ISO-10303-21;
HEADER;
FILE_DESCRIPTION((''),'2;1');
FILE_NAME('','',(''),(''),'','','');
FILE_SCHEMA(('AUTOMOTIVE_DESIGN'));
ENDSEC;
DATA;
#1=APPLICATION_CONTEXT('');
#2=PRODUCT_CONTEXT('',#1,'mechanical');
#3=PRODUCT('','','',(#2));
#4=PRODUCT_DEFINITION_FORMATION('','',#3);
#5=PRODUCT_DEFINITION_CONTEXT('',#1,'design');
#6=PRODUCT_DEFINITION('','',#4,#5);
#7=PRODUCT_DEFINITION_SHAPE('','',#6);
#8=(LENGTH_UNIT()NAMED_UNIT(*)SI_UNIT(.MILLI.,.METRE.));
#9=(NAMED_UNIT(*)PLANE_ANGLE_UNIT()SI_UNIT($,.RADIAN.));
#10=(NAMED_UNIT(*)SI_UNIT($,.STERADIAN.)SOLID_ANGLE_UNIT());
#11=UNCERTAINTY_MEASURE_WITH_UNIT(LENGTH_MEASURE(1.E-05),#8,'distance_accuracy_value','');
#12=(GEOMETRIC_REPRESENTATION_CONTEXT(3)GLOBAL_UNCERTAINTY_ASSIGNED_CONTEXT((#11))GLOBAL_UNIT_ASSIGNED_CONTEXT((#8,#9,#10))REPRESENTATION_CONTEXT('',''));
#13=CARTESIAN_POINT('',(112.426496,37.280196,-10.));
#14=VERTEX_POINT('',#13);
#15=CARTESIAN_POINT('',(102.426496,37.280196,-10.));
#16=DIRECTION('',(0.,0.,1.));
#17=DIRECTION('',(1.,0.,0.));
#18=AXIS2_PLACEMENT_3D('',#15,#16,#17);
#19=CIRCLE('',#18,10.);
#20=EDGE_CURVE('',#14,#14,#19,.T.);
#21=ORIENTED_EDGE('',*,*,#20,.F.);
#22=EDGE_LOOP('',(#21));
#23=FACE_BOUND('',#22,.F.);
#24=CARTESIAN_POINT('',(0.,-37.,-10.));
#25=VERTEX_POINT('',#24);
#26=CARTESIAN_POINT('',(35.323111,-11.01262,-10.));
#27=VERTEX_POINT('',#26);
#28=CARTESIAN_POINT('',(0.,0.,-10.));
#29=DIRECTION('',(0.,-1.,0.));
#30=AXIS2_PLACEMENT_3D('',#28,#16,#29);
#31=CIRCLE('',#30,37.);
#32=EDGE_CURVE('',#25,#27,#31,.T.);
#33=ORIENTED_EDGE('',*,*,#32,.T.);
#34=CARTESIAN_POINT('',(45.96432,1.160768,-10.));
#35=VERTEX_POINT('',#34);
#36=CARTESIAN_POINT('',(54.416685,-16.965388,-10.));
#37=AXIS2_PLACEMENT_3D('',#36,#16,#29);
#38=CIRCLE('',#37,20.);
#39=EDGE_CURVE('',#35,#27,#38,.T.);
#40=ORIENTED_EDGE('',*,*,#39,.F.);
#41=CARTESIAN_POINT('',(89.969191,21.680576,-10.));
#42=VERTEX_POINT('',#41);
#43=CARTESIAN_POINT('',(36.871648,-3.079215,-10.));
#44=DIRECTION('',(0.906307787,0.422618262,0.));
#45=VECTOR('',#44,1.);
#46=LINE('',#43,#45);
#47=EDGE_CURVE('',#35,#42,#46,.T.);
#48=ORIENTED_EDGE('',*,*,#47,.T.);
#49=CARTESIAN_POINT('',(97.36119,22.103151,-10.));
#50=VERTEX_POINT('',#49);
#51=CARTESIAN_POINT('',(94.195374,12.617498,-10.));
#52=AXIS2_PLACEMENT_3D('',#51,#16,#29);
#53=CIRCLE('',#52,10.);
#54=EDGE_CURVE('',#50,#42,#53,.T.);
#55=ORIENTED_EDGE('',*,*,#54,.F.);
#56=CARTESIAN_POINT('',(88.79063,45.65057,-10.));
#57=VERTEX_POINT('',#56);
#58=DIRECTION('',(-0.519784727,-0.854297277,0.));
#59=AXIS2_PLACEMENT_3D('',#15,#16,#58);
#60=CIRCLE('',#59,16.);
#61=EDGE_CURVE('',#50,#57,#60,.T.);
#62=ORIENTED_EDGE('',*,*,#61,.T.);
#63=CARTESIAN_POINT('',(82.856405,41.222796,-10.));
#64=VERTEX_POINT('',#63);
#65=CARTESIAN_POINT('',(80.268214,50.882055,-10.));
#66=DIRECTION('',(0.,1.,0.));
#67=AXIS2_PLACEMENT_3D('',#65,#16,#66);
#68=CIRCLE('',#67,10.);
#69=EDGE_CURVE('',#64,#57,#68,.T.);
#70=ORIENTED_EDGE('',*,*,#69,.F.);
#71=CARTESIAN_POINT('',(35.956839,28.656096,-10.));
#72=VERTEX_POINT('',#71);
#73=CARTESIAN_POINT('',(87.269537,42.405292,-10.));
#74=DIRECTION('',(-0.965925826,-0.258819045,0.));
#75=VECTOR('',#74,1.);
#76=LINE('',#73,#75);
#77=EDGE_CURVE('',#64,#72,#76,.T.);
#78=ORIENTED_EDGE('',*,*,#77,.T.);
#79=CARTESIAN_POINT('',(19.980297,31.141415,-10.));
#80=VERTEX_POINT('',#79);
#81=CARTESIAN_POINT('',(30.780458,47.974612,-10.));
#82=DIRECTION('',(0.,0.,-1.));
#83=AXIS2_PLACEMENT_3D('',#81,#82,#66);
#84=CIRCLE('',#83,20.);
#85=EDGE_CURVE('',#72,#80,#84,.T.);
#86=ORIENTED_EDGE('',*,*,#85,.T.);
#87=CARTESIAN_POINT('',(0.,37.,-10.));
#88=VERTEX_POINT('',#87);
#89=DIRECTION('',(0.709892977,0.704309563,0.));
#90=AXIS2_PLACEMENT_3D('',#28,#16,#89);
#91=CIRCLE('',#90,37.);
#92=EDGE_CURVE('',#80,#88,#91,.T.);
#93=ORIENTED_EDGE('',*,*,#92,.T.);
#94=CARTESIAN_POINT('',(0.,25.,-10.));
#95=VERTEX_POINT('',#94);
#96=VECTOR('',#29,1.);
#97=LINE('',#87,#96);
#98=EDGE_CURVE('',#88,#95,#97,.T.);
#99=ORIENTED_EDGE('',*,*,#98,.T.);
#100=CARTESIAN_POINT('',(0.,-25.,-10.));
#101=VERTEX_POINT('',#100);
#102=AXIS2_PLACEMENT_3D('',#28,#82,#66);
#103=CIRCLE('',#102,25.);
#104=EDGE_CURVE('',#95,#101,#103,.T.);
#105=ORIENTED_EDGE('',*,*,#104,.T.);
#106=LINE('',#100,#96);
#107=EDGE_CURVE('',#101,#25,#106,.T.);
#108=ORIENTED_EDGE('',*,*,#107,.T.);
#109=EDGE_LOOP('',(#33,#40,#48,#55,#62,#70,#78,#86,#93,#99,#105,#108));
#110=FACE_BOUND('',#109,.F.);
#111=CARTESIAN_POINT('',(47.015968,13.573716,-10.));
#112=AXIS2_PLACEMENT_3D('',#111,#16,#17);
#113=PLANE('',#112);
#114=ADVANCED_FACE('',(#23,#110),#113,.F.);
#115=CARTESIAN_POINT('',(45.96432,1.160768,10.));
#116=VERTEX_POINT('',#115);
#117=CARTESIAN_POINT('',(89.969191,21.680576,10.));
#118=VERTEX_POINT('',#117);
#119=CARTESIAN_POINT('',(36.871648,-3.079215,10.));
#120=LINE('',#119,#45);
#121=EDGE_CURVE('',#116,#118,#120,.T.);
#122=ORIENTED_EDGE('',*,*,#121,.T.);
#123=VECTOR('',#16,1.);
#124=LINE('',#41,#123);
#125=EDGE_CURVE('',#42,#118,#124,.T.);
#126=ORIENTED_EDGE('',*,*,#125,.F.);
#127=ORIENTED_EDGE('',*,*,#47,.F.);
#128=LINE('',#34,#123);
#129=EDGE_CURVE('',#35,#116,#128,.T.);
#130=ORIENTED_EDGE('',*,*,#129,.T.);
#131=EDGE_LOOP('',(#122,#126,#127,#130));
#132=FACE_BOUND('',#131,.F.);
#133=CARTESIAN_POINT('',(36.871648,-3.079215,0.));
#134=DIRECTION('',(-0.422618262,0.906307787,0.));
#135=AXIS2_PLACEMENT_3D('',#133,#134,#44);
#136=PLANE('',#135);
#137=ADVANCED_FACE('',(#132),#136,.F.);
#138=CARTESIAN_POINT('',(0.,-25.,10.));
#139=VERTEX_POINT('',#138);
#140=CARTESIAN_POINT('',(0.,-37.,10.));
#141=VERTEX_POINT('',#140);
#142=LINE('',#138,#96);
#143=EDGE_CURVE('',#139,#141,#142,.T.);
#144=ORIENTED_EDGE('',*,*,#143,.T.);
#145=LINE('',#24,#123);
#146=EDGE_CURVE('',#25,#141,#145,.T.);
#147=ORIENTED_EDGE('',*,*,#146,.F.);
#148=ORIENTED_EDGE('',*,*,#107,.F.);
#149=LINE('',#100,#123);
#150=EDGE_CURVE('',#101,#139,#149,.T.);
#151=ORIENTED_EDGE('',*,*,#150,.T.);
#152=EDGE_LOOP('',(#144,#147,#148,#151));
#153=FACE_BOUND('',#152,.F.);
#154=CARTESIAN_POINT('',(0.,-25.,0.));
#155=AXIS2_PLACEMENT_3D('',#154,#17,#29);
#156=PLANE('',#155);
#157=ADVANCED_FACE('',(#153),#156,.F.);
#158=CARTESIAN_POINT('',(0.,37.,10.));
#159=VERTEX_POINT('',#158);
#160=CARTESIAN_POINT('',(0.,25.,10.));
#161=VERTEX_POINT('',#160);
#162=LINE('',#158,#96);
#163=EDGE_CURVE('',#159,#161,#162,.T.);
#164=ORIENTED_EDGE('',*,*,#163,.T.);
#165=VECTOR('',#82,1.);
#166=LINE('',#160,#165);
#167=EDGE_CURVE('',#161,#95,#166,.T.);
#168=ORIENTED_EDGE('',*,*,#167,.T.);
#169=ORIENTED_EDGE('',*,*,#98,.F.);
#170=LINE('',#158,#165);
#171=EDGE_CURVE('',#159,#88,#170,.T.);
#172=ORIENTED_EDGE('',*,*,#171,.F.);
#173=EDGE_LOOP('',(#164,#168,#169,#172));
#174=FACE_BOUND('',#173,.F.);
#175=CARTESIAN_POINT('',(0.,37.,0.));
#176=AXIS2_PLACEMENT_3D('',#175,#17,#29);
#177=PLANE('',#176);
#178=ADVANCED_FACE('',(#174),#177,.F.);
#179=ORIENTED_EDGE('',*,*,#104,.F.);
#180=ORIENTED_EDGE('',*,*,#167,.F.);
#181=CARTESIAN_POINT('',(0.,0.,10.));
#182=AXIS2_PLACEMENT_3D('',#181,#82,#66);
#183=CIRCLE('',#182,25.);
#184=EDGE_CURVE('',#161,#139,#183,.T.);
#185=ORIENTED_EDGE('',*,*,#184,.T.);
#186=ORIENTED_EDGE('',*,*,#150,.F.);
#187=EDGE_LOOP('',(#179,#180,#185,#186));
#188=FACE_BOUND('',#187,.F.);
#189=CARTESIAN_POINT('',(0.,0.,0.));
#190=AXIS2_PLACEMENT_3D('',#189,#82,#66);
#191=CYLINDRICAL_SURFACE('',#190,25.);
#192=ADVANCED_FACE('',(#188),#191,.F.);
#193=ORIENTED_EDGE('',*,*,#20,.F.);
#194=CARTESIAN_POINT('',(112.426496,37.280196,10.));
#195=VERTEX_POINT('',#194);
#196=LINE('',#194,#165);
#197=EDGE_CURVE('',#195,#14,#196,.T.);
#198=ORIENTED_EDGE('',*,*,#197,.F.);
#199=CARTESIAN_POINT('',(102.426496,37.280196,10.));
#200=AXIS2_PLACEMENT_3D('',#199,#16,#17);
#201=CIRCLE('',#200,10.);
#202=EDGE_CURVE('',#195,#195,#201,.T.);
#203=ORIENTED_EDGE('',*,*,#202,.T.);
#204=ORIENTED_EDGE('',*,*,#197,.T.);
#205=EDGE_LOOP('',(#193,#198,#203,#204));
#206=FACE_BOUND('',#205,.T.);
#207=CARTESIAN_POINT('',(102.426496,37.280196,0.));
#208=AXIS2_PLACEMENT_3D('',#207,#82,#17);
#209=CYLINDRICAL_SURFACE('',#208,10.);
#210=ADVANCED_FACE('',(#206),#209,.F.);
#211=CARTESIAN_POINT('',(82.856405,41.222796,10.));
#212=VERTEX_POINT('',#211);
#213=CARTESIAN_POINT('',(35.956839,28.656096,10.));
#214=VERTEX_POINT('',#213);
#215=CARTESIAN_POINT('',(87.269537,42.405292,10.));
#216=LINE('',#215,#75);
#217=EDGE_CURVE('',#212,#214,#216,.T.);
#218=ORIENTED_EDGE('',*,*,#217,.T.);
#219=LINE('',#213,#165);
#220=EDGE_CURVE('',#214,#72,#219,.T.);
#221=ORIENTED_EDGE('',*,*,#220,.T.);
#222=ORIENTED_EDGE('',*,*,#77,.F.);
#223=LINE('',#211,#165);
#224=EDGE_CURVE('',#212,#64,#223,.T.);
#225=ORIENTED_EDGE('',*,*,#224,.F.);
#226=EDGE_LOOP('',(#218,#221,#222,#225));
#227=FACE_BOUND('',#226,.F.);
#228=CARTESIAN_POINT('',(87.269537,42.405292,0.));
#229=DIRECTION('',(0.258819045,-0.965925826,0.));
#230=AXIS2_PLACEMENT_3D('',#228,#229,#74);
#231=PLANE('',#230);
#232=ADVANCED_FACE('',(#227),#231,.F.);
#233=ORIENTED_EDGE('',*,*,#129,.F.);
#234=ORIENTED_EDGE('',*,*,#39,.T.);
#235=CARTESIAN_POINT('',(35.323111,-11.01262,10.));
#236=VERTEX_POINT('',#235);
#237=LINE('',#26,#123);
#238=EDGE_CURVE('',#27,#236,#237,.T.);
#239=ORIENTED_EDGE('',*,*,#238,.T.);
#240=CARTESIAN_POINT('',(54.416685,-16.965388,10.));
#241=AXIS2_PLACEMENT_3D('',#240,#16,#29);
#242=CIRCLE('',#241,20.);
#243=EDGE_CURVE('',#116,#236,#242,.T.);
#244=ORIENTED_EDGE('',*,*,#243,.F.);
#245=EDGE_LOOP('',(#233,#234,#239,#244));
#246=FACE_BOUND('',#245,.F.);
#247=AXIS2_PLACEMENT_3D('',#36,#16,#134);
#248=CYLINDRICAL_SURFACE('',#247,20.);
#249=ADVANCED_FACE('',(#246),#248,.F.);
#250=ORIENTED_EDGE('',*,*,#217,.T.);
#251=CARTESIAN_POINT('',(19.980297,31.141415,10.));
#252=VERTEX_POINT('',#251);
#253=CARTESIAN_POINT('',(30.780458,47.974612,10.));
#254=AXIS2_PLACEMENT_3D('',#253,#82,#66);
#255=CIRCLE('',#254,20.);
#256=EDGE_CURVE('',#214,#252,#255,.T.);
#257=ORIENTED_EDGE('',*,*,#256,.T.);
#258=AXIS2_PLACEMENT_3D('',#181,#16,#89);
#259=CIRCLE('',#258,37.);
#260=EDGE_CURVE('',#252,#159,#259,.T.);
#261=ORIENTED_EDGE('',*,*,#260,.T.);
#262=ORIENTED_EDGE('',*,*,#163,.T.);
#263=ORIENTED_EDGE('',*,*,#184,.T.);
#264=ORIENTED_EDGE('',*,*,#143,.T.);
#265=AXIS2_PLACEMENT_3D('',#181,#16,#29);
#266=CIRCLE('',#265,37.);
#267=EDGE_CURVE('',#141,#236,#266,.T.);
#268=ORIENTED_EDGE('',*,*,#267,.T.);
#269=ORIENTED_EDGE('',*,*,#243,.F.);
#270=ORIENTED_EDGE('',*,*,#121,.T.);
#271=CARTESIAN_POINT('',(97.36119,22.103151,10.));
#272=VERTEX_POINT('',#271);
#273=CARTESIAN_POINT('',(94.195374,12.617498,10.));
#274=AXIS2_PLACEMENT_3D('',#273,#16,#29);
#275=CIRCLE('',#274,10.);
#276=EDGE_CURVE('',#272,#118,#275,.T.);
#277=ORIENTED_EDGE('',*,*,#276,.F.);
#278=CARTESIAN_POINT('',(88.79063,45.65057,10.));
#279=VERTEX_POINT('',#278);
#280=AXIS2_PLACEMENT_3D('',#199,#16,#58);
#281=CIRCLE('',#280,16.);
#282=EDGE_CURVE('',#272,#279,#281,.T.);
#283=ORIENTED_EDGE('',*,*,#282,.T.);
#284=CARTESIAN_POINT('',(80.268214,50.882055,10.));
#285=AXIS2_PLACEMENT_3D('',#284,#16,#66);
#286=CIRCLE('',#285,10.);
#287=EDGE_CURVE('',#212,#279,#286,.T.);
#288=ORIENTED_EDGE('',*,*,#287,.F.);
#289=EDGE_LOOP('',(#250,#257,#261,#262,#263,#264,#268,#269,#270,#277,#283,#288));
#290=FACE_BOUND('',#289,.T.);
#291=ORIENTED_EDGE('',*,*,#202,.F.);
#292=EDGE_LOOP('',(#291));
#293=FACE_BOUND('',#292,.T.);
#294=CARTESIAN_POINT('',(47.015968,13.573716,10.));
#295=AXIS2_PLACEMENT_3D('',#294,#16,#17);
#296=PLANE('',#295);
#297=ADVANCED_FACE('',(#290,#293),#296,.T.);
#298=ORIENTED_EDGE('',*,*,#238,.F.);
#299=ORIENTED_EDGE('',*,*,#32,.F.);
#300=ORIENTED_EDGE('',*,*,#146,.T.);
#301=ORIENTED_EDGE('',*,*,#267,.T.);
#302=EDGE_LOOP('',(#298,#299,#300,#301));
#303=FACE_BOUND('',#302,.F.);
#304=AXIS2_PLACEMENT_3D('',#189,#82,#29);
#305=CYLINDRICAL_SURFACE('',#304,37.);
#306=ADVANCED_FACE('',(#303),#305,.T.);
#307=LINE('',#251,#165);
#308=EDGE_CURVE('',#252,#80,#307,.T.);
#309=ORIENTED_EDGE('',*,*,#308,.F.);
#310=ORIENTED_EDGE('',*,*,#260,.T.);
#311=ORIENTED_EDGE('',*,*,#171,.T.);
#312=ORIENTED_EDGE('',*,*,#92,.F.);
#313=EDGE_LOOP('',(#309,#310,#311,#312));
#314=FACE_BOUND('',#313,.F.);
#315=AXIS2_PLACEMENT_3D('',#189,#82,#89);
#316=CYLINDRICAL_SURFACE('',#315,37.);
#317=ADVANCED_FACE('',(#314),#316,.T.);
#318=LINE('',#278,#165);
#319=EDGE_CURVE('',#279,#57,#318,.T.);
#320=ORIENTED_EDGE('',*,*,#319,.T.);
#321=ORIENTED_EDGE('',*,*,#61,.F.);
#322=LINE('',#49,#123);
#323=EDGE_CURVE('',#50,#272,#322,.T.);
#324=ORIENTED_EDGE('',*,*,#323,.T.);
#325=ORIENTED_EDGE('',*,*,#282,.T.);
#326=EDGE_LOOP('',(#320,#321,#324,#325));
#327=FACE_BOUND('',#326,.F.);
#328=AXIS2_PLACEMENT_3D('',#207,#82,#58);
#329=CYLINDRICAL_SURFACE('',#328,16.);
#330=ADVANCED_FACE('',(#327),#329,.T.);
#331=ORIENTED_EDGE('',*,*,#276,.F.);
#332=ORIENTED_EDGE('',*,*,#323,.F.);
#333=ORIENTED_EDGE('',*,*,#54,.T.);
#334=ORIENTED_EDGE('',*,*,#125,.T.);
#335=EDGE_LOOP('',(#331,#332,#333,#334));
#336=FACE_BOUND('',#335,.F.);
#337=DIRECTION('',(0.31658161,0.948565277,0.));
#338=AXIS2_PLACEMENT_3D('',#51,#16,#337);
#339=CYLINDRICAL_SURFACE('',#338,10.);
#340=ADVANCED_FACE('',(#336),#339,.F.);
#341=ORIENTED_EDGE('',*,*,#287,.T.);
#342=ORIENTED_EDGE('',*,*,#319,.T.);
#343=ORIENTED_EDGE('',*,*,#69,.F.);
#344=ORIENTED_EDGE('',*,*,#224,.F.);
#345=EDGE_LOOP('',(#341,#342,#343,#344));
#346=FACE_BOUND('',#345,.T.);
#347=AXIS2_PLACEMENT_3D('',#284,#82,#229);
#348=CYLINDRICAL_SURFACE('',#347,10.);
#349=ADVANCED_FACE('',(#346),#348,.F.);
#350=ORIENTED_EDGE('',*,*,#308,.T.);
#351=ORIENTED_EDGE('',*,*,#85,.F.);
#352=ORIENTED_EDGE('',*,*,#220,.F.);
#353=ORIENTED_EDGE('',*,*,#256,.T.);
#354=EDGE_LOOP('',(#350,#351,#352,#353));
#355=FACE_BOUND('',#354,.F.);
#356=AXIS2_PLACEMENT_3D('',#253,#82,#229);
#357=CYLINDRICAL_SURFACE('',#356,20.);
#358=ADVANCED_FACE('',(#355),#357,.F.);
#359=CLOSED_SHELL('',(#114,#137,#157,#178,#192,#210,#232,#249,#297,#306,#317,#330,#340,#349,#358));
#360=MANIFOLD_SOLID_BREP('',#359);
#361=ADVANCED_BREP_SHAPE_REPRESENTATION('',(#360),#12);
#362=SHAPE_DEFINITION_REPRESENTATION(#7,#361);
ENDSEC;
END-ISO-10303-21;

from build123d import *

# Parameters (mm, degrees)
F0_R          = 10
F1_DEPTH      = 10
F1_DEPTH_BACK = 10
F2_R          = 20
F3_R          = 10


with BuildPart() as f1:
    # F0 (on Top) → F1 (new body, two sides)
    with BuildSketch(Plane.XY) as f1_sk:
        with BuildLine():
            ThreePointArc((0, 25), (25, 0), (0, -25))
            Line((0, -25), (0, -37))
            ThreePointArc((0, -37), (25.050639293, -27.2298635878), (36.8716481479, -3.0792146493))
            Line((36.8716481479, -3.0792146493), (94.1099400271, 23.6114391937))
            ThreePointArc((94.1099400271, 23.6114391937), (117.4615775982, 42.7525179157), (87.2695371606, 42.4052916094))
            Line((87.2695371606, 42.4052916094), (26.2660401482, 26.0594538495))
            ThreePointArc((26.2660401482, 26.0594538495), (14.2267390426, 34.1555251199), (0, 37))
            Line((0, 37), (0, 25))
        make_face()
        with Locations((102.4264956657, 37.2801956225)):
            Circle(F0_R, mode=Mode.SUBTRACT)
    extrude(amount=-F1_DEPTH)
    extrude(f1_sk.sketch, amount=F1_DEPTH_BACK)

    # F2
    f2_edges = [f1.edges().sort_by_distance(p)[0] for p in [
        (26.26604, 26.059454, 0),
        (36.871648, -3.079215, 0),
    ]]
    fillet(f2_edges, radius=F2_R)

    # F3
    f3_edges = [f1.edges().sort_by_distance(p)[0] for p in [
        (87.269537, 42.405292, 0),
        (94.10994, 23.611439, 0),
    ]]
    fillet(f3_edges, radius=F3_R)


solid = f1.part
